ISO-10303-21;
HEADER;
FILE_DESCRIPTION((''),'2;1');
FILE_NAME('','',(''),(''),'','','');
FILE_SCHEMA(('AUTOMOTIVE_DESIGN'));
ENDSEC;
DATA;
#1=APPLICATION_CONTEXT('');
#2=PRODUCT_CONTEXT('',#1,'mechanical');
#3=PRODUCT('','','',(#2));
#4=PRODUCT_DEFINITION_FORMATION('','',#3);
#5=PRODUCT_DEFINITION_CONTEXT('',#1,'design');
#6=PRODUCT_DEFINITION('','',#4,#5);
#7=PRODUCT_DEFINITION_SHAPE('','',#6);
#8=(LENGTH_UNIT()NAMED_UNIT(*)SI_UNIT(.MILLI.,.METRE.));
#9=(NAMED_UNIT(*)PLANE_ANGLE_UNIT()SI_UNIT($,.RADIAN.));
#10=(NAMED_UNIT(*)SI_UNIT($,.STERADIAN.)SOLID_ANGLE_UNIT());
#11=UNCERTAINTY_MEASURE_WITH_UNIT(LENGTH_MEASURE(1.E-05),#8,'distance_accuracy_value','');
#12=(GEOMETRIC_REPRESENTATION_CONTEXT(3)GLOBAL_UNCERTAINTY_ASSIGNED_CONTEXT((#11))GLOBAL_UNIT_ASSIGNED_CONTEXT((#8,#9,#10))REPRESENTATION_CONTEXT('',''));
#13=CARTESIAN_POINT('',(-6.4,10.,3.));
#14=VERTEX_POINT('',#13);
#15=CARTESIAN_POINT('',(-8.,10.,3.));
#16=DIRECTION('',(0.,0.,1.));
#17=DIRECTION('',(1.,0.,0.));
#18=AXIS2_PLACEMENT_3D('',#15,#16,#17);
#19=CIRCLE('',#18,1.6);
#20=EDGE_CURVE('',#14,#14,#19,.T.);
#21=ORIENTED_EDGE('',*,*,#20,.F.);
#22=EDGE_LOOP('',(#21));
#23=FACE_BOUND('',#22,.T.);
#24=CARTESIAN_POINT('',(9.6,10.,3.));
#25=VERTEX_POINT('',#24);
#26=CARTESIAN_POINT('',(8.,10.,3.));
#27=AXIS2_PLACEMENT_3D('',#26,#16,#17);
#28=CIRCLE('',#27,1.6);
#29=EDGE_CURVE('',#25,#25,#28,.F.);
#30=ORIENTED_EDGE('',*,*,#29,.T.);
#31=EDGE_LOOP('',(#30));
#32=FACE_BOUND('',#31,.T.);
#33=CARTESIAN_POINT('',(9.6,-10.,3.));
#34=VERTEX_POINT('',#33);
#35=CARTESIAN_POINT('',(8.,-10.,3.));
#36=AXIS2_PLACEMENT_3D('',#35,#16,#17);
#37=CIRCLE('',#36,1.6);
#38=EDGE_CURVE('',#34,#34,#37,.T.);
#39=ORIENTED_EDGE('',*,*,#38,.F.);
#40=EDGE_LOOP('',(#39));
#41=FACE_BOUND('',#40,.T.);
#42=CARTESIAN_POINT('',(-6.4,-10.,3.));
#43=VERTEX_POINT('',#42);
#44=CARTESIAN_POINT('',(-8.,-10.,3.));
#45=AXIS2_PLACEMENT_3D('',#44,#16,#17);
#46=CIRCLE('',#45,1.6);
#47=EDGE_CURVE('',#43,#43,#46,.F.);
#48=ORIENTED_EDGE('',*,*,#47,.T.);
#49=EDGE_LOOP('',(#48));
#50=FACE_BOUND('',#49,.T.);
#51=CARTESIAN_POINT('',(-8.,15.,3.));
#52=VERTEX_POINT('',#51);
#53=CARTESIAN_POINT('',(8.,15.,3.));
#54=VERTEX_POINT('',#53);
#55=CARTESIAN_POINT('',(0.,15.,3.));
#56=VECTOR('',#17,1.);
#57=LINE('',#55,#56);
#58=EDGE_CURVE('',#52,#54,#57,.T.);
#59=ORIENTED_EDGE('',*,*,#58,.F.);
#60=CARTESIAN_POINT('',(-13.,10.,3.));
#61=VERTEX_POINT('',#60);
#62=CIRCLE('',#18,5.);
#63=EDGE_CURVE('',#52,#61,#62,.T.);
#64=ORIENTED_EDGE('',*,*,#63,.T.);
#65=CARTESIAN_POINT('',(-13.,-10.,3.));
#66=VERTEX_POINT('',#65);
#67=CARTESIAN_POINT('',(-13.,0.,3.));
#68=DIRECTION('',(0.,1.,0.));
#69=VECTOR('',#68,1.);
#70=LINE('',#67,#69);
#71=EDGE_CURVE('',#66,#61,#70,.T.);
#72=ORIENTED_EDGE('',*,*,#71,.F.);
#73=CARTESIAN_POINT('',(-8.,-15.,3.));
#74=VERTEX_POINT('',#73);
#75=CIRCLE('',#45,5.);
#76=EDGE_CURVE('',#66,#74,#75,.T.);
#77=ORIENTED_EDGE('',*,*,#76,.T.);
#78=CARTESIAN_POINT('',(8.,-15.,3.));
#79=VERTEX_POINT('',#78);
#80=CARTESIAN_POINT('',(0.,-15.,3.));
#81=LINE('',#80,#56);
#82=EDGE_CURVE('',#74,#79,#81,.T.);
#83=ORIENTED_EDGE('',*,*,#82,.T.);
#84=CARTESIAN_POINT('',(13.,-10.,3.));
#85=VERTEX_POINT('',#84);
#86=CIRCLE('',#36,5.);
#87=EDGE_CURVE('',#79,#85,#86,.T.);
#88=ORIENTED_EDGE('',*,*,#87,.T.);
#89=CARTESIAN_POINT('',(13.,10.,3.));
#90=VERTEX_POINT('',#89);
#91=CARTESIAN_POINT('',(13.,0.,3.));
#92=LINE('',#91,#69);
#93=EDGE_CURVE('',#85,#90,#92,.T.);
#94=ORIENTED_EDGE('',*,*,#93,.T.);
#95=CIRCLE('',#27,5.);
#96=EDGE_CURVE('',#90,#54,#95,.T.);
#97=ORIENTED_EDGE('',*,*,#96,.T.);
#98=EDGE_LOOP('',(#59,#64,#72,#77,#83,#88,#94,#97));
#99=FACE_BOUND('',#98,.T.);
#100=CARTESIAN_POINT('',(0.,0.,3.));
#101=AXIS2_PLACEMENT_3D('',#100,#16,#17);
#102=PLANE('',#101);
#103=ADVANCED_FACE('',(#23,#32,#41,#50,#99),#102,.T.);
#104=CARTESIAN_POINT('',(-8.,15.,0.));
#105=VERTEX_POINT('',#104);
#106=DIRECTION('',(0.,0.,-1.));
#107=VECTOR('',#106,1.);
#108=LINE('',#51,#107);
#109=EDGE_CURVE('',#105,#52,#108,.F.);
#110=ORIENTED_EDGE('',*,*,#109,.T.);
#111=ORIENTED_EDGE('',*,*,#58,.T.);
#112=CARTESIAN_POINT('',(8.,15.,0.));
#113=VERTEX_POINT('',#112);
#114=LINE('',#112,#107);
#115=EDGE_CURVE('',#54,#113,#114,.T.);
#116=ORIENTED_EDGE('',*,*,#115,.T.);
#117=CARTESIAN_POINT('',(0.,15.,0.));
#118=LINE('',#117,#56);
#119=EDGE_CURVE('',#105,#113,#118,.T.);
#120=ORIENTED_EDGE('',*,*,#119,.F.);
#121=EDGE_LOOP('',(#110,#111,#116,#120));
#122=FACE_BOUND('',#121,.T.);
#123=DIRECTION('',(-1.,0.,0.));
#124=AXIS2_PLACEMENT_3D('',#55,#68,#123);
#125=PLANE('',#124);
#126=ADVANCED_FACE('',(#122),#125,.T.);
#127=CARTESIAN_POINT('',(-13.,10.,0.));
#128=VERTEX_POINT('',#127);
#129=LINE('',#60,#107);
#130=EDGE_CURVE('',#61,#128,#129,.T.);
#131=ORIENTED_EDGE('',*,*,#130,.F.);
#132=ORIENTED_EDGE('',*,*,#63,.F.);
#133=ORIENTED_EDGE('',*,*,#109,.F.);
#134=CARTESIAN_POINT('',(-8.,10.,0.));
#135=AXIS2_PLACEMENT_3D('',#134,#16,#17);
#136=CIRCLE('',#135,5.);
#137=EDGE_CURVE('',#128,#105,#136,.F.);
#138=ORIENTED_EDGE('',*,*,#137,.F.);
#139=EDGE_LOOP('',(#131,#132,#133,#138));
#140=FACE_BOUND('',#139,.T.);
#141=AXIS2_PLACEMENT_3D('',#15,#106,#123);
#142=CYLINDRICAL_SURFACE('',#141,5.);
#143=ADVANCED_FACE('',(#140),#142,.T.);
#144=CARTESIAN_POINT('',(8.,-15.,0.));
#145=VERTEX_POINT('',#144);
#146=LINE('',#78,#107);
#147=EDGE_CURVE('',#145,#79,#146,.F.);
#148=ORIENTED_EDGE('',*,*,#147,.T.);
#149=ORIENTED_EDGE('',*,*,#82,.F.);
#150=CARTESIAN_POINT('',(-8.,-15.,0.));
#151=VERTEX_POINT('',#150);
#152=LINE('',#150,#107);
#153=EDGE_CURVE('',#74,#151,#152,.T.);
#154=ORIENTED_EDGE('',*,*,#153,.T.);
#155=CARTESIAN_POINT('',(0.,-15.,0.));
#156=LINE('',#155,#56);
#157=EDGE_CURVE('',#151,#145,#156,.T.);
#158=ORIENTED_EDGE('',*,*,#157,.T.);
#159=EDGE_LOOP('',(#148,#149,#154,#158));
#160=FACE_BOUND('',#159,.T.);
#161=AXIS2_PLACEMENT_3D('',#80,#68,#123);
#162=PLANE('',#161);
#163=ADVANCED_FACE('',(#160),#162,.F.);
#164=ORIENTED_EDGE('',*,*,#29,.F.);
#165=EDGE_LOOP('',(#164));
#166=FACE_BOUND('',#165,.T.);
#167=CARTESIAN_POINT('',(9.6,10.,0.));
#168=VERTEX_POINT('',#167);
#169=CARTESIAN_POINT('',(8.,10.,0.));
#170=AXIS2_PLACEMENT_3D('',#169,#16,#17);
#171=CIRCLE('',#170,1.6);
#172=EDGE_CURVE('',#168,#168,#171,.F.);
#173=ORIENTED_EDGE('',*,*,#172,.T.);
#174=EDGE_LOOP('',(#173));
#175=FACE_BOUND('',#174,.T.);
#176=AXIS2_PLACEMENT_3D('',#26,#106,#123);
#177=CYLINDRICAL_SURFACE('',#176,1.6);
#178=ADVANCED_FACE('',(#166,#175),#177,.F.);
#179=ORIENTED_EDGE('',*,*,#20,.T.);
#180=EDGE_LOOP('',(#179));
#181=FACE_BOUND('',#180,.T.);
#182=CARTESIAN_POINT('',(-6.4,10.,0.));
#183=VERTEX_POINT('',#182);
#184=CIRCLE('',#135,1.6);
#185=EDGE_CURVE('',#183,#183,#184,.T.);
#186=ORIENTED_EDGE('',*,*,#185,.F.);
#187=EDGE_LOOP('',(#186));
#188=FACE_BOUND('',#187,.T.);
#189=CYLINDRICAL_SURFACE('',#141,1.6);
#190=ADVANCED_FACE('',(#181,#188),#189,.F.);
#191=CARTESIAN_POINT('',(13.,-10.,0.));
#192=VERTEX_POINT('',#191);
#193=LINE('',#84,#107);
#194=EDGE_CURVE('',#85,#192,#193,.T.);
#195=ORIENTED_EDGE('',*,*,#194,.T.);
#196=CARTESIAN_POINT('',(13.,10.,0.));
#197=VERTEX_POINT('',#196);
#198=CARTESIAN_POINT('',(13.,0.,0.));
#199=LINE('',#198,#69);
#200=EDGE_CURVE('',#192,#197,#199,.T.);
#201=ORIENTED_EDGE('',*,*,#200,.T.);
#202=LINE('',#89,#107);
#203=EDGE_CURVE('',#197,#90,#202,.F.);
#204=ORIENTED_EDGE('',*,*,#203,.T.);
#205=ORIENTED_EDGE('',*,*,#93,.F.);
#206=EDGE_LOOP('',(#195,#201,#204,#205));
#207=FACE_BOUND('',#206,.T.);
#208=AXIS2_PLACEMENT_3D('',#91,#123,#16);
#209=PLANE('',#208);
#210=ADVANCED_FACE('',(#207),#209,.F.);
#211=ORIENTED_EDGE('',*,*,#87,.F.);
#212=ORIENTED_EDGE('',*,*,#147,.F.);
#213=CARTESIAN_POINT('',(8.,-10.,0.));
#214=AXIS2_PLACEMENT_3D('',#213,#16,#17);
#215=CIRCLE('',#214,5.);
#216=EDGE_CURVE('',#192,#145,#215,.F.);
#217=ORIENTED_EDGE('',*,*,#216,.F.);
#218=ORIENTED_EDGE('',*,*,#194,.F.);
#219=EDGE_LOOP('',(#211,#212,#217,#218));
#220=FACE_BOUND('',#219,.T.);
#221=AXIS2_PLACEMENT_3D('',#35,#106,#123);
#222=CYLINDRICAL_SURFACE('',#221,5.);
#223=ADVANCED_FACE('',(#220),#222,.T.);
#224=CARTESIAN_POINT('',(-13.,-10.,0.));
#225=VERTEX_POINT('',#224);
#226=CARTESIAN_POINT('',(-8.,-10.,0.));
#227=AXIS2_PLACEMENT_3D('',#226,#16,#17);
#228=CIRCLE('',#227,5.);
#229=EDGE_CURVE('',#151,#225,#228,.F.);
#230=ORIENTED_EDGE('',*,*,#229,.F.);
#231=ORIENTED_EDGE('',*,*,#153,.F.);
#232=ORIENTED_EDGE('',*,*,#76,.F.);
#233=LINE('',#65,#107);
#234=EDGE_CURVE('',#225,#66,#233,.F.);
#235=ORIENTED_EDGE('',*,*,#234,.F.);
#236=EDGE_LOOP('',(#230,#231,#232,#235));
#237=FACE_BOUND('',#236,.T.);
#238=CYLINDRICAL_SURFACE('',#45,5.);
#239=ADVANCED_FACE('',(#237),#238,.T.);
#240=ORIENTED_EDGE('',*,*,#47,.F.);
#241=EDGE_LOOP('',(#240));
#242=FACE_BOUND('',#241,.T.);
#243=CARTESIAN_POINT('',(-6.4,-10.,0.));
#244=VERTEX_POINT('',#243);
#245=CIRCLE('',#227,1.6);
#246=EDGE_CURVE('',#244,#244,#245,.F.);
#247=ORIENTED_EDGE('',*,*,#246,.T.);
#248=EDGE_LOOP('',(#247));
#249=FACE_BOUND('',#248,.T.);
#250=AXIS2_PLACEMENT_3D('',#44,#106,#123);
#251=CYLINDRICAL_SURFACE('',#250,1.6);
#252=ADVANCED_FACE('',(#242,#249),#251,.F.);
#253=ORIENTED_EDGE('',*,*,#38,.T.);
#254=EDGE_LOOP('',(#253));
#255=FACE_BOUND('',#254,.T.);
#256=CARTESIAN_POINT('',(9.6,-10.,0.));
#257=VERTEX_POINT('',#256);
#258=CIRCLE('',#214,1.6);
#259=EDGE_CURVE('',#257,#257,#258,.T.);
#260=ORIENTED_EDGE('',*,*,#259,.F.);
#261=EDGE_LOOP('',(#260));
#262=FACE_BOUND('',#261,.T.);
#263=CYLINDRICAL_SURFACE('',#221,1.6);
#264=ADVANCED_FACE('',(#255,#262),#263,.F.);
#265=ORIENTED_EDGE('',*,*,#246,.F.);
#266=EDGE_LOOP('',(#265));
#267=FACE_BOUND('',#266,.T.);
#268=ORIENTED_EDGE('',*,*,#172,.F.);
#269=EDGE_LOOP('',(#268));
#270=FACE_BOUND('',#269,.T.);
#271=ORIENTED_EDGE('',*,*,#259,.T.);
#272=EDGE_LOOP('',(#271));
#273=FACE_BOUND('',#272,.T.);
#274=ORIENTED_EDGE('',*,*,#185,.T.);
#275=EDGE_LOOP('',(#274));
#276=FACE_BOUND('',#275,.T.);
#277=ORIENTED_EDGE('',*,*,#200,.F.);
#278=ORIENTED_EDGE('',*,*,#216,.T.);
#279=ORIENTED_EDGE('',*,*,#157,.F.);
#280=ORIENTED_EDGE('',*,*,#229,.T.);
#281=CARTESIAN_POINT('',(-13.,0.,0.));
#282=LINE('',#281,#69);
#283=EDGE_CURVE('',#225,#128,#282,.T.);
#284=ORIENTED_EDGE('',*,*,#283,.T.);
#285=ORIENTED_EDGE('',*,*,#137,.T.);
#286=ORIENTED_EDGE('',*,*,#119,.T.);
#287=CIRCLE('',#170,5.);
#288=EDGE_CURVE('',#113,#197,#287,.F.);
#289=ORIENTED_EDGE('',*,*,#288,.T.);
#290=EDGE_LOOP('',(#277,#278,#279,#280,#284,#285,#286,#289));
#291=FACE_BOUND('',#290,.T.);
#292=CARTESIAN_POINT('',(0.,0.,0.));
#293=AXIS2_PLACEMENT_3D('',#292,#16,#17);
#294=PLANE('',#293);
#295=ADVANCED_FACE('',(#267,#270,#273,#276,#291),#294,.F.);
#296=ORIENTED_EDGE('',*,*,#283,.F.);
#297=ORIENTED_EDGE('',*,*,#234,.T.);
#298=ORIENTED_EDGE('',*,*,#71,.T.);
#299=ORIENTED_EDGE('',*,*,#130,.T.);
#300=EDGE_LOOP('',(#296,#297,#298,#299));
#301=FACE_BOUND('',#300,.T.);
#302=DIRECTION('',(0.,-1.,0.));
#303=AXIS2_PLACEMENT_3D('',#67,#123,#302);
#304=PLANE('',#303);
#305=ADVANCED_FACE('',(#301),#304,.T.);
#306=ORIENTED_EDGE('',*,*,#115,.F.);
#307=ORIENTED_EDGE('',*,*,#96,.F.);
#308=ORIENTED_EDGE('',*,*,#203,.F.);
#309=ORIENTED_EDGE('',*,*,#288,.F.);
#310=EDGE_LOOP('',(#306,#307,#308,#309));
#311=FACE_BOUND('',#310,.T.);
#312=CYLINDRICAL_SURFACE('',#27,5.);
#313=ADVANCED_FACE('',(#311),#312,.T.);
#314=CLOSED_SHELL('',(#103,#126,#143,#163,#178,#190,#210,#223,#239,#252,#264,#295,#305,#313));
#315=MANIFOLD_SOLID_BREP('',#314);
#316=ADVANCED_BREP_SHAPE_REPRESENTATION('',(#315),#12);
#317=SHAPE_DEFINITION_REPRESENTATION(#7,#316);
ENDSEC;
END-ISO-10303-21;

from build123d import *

# Parameters (mm, degrees)
ESBO_O1_W                = 26
ESBO_O1_H                = 30
ESBO_O1_R                = 1.6
RESSALTO_EXTRUS_O1_DEPTH = 3
FILETE1_R                = 5


with BuildPart() as part:
    # Esboço1 → Ressalto-extrusão1 (new body)
    with BuildSketch(Plane.XY):
        Rectangle(ESBO_O1_W, ESBO_O1_H)
        with Locations((-8, 10)):
            Circle(ESBO_O1_R, mode=Mode.SUBTRACT)
        with Locations((8, 10)):
            Circle(ESBO_O1_R, mode=Mode.SUBTRACT)
        with Locations((8, -10)):
            Circle(ESBO_O1_R, mode=Mode.SUBTRACT)
        with Locations((-8, -10)):
            Circle(ESBO_O1_R, mode=Mode.SUBTRACT)
    extrude(amount=RESSALTO_EXTRUS_O1_DEPTH)

    # Filete1
    filete1_edges = [part.edges().sort_by_distance(p)[0] for p in [
        (-13, -15, 1.5),
        (-13, 15, 1.5),
        (13, 15, 1.5),
        (13, -15, 1.5),
    ]]
    fillet(filete1_edges, radius=FILETE1_R)


solid = part.part
